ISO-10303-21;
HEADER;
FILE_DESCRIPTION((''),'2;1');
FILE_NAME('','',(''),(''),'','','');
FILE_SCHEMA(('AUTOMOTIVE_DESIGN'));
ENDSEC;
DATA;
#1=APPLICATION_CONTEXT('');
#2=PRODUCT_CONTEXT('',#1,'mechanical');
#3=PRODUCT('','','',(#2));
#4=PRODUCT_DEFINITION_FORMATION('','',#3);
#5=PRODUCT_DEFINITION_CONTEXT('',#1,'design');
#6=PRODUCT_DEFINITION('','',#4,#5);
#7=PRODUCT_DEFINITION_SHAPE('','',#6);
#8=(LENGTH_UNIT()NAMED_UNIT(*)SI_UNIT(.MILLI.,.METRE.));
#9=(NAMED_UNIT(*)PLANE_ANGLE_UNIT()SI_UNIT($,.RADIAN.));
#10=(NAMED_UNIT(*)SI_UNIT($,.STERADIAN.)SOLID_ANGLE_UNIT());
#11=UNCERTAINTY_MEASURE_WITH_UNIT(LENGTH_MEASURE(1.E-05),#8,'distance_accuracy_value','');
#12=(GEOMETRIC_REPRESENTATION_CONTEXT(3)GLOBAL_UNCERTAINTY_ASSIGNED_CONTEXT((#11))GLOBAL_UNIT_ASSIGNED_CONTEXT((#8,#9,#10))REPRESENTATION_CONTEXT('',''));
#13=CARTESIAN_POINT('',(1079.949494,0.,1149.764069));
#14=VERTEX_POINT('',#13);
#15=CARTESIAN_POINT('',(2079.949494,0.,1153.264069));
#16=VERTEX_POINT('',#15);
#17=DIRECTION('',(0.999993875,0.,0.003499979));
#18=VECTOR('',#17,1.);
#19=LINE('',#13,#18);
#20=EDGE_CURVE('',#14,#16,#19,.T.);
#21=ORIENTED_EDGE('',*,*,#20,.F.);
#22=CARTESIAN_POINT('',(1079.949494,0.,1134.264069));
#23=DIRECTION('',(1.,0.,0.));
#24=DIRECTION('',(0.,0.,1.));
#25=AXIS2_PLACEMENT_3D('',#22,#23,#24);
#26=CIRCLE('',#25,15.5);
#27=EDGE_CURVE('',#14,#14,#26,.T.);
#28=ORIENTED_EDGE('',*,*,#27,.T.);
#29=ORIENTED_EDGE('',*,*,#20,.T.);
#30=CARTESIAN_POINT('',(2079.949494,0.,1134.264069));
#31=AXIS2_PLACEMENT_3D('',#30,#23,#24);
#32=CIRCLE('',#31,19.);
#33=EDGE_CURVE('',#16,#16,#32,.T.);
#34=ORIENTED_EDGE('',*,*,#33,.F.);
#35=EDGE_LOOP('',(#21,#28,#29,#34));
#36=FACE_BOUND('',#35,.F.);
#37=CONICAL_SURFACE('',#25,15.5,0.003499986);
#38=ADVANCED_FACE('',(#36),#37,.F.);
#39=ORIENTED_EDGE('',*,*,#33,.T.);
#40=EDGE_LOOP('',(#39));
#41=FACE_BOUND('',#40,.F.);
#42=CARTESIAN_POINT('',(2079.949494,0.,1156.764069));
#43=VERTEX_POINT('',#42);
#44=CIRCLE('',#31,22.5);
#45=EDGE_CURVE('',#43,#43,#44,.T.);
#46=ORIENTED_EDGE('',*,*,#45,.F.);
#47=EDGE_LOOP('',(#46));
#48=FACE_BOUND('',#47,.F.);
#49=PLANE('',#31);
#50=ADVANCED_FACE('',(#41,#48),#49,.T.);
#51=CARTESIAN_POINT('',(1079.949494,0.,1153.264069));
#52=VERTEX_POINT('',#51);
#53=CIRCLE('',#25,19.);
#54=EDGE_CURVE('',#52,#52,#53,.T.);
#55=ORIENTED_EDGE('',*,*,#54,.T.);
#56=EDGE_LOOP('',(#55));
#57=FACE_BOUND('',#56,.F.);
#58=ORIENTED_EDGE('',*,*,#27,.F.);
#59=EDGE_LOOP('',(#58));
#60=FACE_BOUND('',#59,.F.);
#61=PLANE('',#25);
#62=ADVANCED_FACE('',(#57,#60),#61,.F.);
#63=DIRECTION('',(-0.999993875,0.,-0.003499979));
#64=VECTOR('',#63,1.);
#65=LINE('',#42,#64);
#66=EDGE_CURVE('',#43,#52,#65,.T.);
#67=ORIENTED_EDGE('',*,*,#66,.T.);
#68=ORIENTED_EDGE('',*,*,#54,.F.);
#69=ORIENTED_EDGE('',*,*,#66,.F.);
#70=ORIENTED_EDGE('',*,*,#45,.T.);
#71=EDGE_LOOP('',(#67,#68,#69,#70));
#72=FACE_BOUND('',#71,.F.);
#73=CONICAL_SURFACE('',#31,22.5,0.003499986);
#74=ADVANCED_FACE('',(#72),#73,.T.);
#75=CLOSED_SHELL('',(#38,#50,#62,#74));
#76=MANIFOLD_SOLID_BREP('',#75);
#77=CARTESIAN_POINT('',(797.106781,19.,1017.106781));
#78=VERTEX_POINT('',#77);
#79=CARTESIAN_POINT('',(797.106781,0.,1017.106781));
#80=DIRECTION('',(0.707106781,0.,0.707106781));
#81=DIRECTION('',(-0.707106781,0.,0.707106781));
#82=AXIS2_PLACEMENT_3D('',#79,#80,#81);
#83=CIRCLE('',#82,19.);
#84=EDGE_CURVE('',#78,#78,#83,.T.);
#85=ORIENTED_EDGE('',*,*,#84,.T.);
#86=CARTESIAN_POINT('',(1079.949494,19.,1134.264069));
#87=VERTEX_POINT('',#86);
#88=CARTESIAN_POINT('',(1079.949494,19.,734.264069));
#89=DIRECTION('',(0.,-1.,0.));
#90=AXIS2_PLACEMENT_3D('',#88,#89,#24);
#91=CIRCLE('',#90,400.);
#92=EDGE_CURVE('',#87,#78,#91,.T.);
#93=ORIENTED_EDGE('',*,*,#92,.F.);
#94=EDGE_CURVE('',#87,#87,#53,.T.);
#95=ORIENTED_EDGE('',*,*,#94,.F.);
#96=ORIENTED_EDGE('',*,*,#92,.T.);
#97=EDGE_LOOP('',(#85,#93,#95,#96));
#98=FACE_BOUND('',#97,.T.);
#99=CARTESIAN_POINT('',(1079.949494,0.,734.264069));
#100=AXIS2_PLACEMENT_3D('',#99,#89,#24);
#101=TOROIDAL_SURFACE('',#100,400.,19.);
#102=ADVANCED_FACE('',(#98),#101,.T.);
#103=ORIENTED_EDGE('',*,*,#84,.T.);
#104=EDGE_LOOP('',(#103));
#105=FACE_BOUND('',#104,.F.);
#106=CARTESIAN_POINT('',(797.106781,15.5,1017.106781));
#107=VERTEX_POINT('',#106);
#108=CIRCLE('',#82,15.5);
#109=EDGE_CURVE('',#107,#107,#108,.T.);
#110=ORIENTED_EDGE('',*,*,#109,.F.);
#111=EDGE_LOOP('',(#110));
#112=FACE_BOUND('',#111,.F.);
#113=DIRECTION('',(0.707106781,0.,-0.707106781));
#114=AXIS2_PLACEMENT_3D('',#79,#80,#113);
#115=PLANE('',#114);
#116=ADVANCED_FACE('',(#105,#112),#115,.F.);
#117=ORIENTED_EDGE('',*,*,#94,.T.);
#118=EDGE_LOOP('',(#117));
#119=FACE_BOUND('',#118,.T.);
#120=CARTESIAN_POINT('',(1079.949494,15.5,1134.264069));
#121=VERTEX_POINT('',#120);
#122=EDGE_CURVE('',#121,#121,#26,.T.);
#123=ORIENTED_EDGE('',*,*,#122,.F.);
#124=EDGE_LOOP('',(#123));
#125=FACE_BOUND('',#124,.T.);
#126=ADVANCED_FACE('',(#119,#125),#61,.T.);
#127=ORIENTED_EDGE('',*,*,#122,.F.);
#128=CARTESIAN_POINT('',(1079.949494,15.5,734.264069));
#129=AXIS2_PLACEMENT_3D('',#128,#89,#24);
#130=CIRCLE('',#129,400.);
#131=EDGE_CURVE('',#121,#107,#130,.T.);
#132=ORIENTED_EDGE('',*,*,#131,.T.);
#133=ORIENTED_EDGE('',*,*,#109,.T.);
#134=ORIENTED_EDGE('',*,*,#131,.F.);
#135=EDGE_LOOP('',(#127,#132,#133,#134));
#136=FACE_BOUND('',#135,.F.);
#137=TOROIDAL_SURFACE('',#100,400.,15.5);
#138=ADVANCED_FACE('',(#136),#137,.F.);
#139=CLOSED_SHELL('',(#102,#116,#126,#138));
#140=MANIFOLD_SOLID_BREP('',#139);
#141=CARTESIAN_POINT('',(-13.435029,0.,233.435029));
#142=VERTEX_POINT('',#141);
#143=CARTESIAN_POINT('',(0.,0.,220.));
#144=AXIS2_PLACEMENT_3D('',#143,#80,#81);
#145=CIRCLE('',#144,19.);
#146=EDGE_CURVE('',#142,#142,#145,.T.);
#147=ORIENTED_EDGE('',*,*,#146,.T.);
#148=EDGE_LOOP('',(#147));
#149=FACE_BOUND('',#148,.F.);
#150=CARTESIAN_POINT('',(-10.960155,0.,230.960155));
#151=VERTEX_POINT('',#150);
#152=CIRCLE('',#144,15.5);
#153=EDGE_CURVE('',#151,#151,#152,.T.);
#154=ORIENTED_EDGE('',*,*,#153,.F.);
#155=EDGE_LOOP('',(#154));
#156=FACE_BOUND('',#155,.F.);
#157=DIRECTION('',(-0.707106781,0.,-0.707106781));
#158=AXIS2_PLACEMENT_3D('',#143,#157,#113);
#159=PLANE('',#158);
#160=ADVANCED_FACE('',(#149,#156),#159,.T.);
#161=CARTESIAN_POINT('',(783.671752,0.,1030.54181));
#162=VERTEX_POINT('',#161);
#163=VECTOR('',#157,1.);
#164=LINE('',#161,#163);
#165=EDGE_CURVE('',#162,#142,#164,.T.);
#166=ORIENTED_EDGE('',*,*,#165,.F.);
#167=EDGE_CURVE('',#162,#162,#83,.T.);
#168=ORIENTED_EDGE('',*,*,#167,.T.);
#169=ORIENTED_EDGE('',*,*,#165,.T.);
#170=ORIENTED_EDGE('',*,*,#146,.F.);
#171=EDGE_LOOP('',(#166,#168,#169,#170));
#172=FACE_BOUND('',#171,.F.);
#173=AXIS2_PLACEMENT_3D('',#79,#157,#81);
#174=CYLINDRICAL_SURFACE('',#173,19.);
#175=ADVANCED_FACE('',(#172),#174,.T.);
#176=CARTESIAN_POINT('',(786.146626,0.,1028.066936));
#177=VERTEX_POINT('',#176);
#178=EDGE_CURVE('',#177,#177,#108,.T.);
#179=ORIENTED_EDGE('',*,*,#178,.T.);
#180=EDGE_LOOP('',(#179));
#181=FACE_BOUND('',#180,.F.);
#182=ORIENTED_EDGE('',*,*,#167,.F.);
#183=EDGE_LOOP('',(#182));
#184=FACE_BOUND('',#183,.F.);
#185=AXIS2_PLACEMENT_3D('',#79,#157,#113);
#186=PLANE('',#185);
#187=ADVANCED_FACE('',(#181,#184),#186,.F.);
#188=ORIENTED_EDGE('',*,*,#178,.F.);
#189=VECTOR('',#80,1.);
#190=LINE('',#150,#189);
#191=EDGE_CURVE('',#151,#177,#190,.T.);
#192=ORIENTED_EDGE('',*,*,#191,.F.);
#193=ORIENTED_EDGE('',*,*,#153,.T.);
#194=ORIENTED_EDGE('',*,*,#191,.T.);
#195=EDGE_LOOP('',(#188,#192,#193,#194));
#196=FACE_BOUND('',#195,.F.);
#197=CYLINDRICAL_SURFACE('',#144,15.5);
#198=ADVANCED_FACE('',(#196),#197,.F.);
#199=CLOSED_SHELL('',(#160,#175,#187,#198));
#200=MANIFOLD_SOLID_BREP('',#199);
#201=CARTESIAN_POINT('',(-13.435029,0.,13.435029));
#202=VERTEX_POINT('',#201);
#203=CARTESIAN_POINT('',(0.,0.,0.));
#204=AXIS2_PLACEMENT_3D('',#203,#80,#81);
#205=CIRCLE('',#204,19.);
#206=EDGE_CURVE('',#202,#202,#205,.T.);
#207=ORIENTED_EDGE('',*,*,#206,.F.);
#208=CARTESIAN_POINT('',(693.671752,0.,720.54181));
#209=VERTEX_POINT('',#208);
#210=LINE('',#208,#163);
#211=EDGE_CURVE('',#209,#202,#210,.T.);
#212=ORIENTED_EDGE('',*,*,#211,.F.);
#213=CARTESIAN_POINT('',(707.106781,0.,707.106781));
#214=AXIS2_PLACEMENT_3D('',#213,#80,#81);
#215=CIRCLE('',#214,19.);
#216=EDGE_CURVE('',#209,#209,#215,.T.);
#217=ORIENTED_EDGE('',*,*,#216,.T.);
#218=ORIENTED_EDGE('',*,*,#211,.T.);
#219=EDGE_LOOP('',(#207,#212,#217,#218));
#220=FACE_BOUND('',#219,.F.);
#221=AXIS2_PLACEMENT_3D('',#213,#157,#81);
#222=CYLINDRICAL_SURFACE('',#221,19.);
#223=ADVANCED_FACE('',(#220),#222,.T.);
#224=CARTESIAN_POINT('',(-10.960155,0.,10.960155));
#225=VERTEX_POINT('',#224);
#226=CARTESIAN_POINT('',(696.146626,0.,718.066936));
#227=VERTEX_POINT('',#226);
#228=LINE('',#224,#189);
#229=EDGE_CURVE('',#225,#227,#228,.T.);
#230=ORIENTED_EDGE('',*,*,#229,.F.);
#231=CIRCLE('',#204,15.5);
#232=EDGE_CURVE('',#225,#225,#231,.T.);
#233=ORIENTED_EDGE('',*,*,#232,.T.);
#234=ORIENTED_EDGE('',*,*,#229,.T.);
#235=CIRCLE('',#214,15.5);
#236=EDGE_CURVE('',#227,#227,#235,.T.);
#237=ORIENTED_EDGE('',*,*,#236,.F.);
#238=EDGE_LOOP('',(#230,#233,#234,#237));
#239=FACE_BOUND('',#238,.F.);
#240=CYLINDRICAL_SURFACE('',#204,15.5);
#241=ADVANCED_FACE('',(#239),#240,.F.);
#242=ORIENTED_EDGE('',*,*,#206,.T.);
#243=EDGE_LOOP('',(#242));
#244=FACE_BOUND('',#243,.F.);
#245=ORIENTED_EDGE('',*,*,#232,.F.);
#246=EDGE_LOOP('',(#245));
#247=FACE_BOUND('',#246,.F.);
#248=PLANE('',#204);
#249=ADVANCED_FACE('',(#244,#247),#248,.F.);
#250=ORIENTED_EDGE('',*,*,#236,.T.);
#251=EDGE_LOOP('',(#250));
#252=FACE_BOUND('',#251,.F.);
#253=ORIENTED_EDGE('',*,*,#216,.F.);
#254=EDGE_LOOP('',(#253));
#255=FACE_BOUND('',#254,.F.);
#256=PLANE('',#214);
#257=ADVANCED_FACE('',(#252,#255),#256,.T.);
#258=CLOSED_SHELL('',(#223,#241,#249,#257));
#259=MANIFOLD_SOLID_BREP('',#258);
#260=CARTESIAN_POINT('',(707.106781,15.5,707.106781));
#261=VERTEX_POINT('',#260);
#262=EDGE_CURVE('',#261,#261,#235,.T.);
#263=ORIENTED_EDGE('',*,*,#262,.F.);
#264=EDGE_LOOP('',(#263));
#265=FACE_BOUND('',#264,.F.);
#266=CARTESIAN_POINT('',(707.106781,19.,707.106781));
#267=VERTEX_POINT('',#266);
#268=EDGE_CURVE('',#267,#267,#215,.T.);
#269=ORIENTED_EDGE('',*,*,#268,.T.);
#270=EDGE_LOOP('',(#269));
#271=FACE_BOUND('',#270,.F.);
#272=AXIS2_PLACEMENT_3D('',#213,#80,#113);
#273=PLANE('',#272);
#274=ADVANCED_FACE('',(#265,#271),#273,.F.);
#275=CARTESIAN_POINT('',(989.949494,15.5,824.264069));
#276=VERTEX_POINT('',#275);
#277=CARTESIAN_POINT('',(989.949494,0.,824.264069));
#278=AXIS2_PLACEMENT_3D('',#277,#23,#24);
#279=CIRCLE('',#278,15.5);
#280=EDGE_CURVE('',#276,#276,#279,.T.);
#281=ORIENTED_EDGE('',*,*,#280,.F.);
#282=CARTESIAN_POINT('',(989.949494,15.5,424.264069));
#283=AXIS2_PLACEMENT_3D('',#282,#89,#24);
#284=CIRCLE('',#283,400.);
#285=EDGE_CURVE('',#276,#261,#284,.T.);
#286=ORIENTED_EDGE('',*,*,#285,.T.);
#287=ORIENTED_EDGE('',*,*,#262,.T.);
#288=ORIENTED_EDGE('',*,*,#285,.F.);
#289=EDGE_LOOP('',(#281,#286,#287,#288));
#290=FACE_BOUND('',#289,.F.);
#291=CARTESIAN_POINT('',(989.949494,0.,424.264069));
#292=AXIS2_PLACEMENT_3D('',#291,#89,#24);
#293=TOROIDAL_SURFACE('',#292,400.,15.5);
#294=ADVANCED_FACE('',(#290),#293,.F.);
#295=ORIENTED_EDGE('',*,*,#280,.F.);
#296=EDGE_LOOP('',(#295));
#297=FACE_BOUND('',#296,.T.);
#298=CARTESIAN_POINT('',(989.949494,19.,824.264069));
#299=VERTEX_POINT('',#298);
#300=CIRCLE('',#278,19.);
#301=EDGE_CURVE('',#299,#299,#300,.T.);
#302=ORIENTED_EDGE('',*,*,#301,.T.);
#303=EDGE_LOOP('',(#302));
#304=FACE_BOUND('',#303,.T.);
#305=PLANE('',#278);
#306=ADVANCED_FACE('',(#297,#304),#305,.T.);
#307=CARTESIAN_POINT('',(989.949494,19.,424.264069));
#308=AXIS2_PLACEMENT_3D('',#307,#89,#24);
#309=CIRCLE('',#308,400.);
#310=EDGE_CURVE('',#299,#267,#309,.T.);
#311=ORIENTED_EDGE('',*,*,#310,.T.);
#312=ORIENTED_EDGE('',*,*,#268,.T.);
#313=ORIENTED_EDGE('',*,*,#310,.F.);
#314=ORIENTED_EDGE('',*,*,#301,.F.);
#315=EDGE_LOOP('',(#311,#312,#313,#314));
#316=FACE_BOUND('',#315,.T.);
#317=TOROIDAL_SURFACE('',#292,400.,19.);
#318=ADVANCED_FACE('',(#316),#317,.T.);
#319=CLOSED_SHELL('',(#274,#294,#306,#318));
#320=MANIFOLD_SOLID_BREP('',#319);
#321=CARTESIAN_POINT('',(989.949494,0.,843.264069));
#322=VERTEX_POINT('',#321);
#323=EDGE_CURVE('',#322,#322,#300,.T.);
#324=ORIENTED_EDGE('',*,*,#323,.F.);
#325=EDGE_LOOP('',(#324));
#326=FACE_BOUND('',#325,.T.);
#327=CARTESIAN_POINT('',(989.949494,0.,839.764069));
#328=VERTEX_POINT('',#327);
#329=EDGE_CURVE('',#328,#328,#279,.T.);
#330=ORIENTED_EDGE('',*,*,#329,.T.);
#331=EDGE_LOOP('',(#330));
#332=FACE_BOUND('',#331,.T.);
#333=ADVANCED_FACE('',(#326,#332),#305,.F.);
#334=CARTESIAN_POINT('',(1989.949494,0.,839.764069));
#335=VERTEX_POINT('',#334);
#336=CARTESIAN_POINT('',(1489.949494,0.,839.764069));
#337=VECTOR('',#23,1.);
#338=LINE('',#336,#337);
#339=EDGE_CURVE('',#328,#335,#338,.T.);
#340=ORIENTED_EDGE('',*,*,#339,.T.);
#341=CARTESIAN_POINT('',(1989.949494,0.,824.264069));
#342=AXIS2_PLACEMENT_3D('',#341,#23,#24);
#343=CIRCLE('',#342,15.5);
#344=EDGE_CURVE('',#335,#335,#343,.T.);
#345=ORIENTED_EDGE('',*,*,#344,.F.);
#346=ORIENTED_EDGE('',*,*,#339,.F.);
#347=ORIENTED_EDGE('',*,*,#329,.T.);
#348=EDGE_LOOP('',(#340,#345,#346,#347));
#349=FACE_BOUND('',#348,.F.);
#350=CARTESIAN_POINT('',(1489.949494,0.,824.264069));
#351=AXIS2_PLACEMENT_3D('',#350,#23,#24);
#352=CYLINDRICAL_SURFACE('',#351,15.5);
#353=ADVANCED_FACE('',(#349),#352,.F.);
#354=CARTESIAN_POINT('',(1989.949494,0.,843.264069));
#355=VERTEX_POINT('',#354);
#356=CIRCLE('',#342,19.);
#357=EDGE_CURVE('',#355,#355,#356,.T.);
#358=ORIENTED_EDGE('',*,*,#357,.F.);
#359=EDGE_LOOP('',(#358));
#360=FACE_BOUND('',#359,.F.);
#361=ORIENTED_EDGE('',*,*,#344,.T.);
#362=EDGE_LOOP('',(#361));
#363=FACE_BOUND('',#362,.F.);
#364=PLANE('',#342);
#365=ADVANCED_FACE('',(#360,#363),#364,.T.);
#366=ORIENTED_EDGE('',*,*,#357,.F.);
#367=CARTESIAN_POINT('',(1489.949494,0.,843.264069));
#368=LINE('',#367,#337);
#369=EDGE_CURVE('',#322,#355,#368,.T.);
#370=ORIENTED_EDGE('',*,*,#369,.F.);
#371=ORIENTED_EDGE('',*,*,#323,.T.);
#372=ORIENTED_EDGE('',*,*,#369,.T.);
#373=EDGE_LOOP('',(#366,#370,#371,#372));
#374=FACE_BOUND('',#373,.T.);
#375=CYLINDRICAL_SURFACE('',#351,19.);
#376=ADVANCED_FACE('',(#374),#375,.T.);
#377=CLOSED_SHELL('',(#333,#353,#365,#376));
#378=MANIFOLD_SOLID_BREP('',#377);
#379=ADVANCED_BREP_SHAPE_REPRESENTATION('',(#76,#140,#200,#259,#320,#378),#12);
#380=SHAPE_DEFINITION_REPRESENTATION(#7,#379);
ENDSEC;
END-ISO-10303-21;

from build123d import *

# Parameters (mm, degrees)
F0_W        = 1000
F0_H        = 3.5
F1_FACE_R   = 19
F1_FACE_R_2 = 15.5
F2_FACE_R   = 19
F2_FACE_R_2 = 15.5


with BuildPart() as f1:
    # F0 (on Front) → F1 (revolve)
    with BuildSketch(Plane.XZ):
        Polygon((-10.9601551084, 230.9601551084), (696.1466260782, 938.0669362949), (693.671752344, 940.5418100291), (-13.4350288425, 233.4350288425), align=None)
        Polygon((693.671752344, 940.5418100291), (696.1466260782, 938.0669362949), (786.1466260782, 1028.0669362949), (783.671752344, 1030.5418100291), align=None)
    revolve(axis=Axis((353.5533905933, 0, 573.5533905933), (0.7071067812, 0, 0.7071067812)))


with BuildPart() as f2:
    # F0 (on Front) → F2 (revolve)
    with BuildSketch(Plane.XZ):
        Polygon((-13.4350288425, 13.4350288425), (-10.9601551084, 10.9601551084), (696.1466260782, 718.0669362949), (693.671752344, 720.5418100291), align=None)
    revolve(axis=Axis((353.5533905933, 0, 353.5533905933), (0.7071067812, 0, 0.7071067812)))


with BuildPart() as f3:
    # F0 (on Front) → F3 (revolve)
    with BuildSketch(Plane.XZ):
        Polygon((1079.9494936612, 1153.2640687119), (1079.9494936612, 1149.7640687119), (2079.9494936612, 1153.2640687119), (2079.9494936612, 1156.7640687119), align=None)
    revolve(axis=Axis((1579.9494936612, 0, 1134.2640687119), (1, 0, 0)))


with BuildPart() as f4:
    # F0 (on Front) → F4 (revolve)
    with BuildSketch(Plane.XZ):
        with Locations((1489.9494936612, 841.5140687119)):
            Rectangle(F0_W, F0_H)
    revolve(axis=Axis((1489.9494936612, 0, 824.2640687119), (1, 0, 0)))


with BuildPart() as f5:
    # F5: sweep along a path in F0
    with BuildLine(Plane.XZ) as f5_path:
        ThreePointArc((1079.9494936612, 1149.7640687119), (920.9445275135, 1118.1360144704), (786.1466260782, 1028.0669362949))
    # F1_face (on face) → F5 (sweep)
    with BuildSketch(Plane(origin=(797.1067811865, 0, 1017.1067811865), x_dir=(0, 1, 0), z_dir=(0.7071067812, 0, 0.7071067812))):
        Circle(F1_FACE_R)
        Circle(F1_FACE_R_2, mode=Mode.SUBTRACT)
    sweep(path=f5_path.line)


with BuildPart() as f6:
    # F6: sweep along a path in F0
    with BuildLine(Plane.XZ) as f6_path:
        ThreePointArc((989.9494936612, 839.7640687119), (830.9445275135, 808.1360144704), (696.1466260782, 718.0669362949))
    # F2_face (on face) → F6 (sweep)
    with BuildSketch(Plane(origin=(707.1067811865, 0, 707.1067811865), x_dir=(0, 1, 0), z_dir=(0.7071067812, 0, 0.7071067812))):
        Circle(F2_FACE_R)
        Circle(F2_FACE_R_2, mode=Mode.SUBTRACT)
    sweep(path=f6_path.line)


solid = Compound([f1.part, f2.part, f3.part, f4.part, f5.part, f6.part])
